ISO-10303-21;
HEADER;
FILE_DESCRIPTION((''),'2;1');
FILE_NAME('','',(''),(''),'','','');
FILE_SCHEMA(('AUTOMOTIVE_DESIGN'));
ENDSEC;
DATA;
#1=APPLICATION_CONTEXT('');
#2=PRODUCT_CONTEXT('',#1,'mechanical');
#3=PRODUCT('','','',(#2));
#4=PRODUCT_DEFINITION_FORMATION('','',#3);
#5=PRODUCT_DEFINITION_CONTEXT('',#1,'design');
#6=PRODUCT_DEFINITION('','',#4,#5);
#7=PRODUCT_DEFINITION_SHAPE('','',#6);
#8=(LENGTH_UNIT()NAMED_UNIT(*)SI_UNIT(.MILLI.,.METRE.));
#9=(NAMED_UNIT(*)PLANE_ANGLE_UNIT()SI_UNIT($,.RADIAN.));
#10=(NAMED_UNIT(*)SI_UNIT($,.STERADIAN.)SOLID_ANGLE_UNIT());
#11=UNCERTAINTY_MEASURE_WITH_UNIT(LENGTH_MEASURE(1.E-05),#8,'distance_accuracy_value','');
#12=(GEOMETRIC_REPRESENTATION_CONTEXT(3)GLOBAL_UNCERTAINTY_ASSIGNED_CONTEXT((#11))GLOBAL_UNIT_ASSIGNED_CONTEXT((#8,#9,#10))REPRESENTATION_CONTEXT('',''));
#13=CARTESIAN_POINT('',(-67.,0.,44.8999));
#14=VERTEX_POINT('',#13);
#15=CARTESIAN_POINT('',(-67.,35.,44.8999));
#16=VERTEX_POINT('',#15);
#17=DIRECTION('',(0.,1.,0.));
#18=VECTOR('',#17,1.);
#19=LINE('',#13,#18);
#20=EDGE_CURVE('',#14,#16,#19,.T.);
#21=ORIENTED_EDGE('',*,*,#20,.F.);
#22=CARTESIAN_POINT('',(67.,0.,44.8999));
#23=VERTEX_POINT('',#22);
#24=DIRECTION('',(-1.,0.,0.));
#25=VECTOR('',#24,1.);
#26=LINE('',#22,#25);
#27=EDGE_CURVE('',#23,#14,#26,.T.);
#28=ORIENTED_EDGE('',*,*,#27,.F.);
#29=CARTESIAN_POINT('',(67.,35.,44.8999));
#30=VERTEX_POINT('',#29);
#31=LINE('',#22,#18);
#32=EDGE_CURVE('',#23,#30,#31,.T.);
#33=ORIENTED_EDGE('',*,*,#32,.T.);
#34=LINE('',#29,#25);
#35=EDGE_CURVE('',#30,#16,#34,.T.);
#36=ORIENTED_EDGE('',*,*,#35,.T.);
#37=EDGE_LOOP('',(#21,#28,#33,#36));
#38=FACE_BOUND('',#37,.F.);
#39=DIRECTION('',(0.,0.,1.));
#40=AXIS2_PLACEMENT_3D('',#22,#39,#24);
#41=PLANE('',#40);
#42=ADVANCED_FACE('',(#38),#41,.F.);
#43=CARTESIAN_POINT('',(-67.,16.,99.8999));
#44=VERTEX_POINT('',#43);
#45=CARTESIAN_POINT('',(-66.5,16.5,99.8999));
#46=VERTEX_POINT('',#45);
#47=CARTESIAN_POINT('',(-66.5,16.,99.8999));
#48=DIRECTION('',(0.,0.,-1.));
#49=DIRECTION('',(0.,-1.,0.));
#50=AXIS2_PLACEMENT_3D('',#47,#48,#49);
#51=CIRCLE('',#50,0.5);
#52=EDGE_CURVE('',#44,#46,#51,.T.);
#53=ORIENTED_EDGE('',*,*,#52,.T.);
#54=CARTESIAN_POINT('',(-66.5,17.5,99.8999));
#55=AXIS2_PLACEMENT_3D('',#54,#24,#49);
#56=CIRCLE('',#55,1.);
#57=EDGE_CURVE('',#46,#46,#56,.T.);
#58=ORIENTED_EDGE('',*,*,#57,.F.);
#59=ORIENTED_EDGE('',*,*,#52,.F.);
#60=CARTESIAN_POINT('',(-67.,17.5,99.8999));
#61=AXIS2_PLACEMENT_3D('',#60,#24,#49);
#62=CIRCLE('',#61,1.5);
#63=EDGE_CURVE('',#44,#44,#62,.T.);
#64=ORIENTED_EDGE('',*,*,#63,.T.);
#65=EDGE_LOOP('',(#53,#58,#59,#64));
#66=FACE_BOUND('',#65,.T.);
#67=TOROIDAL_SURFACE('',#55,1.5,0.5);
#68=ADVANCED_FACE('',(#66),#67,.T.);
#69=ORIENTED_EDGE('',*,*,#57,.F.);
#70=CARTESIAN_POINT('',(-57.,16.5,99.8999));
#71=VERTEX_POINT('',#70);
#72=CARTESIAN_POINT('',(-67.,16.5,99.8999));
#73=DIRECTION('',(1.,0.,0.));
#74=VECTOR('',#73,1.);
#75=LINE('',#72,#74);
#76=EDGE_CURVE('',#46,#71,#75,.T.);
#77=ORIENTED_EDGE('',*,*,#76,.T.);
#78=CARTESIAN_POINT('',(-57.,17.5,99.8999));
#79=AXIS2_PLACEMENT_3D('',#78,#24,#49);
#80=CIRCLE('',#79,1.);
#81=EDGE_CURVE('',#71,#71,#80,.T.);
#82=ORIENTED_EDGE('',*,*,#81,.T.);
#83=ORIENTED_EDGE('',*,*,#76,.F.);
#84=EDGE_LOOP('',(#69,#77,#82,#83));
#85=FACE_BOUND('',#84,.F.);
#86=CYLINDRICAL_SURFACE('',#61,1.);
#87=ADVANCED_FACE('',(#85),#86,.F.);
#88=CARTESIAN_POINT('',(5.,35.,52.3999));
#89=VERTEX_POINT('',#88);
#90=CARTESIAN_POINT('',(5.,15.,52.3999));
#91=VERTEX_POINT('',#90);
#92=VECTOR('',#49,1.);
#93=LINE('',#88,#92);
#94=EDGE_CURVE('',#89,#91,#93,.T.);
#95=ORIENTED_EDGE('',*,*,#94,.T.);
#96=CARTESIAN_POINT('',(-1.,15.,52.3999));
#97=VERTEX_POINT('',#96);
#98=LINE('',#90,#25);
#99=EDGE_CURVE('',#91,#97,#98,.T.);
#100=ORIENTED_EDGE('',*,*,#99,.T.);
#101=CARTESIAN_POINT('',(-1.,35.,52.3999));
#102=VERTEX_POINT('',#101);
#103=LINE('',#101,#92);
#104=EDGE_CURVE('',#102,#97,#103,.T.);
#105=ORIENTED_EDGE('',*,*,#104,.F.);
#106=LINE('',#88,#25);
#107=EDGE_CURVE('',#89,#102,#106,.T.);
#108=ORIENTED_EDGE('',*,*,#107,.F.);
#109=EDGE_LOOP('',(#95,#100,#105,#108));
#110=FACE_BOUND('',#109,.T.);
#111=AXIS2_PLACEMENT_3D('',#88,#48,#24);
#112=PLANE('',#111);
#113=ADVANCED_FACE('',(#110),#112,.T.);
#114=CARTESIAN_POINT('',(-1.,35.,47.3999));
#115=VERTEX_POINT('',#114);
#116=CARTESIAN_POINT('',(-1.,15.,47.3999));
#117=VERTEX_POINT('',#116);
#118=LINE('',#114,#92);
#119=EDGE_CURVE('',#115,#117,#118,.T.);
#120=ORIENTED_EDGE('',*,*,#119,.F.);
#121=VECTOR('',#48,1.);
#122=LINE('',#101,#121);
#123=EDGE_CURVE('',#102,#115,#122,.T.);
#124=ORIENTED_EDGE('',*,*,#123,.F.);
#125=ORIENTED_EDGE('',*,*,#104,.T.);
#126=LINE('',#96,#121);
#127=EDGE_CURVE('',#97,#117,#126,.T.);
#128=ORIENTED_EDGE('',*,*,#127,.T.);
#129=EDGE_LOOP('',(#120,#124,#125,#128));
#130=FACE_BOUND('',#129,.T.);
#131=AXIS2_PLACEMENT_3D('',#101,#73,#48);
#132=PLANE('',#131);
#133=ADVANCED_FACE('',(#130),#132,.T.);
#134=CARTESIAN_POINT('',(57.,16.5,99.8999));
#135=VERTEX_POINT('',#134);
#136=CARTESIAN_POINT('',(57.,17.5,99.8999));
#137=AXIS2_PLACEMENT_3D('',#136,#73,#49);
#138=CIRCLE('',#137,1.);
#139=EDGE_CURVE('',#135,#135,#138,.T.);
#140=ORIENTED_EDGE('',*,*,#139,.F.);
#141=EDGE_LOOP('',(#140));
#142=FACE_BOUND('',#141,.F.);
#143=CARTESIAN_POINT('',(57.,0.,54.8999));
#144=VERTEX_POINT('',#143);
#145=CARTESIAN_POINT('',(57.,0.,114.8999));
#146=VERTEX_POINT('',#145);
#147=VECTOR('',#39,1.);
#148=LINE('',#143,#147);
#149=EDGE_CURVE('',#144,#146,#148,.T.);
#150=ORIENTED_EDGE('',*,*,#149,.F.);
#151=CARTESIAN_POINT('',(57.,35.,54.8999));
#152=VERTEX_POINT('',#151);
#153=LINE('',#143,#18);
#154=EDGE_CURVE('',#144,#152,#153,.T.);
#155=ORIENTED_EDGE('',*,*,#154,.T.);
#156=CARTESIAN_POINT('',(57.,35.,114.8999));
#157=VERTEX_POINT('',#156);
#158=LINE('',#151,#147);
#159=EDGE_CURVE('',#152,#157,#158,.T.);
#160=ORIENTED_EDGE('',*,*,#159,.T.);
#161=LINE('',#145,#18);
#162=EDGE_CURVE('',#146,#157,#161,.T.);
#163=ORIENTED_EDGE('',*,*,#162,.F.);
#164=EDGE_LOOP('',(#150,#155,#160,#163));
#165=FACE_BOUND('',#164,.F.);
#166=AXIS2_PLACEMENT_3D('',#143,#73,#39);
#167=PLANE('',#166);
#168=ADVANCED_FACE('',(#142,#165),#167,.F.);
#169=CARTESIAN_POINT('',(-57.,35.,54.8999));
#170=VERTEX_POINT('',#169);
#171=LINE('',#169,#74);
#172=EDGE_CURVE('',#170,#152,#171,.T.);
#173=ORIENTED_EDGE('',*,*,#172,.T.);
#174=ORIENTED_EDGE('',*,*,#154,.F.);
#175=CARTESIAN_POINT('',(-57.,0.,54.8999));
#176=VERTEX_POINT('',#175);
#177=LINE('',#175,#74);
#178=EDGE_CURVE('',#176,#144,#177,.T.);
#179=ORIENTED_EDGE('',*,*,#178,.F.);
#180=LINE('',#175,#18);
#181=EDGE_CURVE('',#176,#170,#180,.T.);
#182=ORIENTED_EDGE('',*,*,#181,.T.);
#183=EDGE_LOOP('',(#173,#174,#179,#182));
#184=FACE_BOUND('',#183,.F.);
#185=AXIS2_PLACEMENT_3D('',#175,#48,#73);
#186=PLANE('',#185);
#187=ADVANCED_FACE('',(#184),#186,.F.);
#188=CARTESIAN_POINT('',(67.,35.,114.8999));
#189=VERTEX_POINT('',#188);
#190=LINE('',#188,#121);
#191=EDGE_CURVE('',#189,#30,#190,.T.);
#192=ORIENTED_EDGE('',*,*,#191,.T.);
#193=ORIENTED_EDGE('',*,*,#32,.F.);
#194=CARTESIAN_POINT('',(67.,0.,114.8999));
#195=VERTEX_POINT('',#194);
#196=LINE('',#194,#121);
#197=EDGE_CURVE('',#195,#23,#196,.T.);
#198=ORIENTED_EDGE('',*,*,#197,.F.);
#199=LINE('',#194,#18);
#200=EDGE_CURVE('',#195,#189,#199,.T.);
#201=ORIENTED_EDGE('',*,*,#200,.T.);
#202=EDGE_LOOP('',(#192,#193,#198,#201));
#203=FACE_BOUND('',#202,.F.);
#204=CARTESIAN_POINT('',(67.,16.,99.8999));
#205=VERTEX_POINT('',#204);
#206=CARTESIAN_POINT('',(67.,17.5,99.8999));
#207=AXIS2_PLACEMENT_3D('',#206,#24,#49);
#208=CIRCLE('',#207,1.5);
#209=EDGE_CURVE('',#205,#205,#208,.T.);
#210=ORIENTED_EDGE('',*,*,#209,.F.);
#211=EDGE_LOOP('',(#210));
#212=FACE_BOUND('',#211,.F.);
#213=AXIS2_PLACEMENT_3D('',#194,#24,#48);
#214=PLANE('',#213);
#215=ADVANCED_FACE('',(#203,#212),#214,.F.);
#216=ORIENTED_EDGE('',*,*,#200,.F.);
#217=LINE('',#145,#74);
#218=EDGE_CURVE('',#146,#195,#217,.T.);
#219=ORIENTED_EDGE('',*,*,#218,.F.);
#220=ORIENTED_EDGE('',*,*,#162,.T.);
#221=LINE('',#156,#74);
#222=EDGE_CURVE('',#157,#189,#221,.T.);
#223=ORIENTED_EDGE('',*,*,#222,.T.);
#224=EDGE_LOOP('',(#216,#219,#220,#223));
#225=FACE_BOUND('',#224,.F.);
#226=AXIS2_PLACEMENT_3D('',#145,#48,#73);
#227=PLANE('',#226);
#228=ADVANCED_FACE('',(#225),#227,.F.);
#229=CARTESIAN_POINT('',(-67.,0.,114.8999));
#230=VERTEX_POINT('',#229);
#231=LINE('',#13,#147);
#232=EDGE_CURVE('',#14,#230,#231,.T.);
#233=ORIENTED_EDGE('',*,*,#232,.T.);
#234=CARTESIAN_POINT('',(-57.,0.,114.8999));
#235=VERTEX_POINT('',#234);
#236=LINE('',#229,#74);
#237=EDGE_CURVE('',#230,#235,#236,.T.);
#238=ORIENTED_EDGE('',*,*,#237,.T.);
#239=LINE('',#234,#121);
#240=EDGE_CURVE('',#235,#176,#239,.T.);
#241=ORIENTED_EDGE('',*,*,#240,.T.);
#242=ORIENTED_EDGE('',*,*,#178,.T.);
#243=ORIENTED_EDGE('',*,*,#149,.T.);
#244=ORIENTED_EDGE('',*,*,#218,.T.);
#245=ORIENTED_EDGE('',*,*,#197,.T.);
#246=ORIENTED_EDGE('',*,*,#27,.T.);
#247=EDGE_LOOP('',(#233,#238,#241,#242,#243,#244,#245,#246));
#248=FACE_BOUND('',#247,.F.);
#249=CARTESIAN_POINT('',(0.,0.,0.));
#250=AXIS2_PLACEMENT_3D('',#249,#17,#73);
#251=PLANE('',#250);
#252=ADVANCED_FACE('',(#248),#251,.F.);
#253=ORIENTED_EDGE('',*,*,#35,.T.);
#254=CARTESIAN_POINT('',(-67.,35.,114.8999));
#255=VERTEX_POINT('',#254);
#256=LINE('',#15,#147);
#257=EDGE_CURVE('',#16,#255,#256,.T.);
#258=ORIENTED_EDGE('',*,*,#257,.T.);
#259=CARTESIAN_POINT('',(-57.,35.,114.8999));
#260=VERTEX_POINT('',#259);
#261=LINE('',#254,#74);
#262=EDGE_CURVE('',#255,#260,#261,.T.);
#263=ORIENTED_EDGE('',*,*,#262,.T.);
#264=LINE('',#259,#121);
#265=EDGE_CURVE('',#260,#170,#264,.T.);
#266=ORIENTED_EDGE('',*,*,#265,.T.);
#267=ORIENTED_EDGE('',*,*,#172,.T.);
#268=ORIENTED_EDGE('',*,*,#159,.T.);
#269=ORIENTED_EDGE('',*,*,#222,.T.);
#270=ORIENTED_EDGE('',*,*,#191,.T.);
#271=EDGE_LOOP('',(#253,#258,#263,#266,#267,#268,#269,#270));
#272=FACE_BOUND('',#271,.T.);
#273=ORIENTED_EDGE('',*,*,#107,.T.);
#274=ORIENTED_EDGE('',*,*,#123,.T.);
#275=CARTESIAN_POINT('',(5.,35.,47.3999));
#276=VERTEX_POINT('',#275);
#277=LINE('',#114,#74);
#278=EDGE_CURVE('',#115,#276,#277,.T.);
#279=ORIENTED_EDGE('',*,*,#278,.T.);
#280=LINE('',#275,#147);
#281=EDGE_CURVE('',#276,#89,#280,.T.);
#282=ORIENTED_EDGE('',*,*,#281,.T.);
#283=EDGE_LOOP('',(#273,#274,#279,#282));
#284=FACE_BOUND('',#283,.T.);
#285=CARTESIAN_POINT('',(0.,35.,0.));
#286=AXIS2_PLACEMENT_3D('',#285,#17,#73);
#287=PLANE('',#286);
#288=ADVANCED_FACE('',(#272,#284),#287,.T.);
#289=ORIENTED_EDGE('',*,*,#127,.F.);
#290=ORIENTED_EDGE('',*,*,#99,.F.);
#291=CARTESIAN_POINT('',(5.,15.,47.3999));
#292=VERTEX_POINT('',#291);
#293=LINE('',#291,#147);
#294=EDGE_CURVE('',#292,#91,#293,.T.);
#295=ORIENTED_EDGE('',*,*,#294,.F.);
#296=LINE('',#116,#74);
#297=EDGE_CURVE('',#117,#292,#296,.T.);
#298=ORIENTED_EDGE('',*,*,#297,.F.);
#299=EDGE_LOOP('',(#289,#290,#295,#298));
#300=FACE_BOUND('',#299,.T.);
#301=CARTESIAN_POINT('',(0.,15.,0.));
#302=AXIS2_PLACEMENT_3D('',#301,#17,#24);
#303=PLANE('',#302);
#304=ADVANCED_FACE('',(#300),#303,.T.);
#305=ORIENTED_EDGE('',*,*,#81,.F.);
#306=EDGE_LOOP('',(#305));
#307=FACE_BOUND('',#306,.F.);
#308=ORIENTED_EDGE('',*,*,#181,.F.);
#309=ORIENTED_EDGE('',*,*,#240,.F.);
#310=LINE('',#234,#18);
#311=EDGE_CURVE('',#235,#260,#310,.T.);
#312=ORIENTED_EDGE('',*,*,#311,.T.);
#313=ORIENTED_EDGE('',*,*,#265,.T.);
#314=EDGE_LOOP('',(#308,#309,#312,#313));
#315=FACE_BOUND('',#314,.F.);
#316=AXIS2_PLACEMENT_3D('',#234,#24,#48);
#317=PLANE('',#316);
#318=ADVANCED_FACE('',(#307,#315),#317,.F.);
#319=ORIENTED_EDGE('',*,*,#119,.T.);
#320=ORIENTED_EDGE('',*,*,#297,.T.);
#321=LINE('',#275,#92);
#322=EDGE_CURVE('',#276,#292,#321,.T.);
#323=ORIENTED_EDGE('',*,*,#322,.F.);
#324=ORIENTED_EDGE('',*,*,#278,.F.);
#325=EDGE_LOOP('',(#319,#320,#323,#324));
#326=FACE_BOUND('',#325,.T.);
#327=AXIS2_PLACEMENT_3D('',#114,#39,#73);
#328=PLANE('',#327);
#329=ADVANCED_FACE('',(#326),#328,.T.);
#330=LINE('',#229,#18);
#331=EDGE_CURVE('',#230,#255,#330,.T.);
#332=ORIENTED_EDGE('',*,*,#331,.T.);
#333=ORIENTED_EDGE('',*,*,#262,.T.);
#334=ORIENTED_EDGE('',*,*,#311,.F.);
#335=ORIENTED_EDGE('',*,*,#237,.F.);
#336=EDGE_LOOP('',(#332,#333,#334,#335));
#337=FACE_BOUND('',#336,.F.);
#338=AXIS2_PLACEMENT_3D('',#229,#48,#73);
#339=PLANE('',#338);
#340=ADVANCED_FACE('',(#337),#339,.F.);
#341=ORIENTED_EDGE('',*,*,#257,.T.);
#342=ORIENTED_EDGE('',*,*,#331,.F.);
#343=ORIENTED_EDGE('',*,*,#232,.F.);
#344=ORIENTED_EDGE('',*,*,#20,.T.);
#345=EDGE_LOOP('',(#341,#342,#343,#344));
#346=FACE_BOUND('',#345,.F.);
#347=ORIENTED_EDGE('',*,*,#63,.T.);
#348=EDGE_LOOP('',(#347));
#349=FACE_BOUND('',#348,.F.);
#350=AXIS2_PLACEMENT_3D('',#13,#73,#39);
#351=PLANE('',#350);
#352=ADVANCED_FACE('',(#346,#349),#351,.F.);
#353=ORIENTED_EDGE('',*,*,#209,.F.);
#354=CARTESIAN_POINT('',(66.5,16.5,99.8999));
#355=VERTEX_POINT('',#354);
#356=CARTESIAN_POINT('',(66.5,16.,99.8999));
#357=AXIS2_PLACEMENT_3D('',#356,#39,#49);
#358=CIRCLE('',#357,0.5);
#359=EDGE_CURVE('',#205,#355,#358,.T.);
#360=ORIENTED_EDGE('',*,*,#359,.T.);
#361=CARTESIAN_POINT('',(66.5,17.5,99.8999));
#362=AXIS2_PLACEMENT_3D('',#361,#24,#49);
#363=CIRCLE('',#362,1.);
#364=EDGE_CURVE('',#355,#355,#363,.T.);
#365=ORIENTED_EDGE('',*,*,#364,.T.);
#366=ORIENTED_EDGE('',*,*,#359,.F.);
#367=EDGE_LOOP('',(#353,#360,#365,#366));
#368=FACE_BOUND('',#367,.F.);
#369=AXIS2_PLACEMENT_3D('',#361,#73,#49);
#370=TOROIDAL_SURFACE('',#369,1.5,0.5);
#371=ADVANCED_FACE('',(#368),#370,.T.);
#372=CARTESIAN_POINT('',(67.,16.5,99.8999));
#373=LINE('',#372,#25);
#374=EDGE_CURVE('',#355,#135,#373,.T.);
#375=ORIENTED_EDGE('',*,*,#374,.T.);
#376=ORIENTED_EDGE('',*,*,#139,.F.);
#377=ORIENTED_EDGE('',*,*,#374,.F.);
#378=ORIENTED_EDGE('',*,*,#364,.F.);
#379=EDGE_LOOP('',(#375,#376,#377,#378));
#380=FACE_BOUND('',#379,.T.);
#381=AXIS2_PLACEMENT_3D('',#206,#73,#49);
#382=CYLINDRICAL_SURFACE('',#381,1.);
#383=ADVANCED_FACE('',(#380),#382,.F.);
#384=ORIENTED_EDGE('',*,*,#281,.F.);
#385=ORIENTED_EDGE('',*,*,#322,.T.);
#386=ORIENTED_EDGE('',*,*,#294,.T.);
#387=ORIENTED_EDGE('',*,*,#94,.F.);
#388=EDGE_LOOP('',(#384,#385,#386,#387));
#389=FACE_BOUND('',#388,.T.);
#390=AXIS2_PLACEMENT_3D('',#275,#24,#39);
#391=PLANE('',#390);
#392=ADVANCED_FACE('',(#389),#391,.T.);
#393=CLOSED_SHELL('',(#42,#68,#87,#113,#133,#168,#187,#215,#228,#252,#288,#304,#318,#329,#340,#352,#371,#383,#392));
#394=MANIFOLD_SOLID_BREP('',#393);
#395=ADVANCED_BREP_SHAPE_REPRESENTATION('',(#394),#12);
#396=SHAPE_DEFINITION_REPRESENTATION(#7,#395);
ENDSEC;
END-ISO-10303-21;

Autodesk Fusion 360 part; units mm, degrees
sketch "Sketch1" plane through (0, 0, 0) normal (0, 1, 0) x (1, 0, 0)
  line L0 (-67, -114.8999) -> (-57, -114.8999)
  line L1 (-57, -114.8999) -> (-57, -54.8999)
  line L2 (-57, -54.8999) -> (57, -54.8999)
  line L3 (57, -54.8999) -> (57, -114.8999)
  line L4 (57, -114.8999) -> (67, -114.8999)
  line L5 (67, -114.8999) -> (67, -44.8999)
  line L6 (67, -44.8999) -> (-67, -44.8999)
  line L7 (-67, -44.8999) -> (-67, -114.8999)
  dimension "d2" = 67
  dimension "d3" = 10
  dimension "d6" = 70
  dimension "d16" = 10
  dimension "d17" = 10
  dimension "d31" = 67
extrude "Extrude1" add sketch "Sketch1" along normal blind 35
sketch "Sketch3" plane through (-67, 0, 0) normal (-1, 0, 0) x (0, -1, 0)
  line L0 (0, 44.8999) -> (0, 114.8999)
  line L1 (0, 114.8999) -> (-35, 114.8999)
  line L2 (-35, 114.8999) -> (-35, 44.8999)
  line L3 (-35, 44.8999) -> (0, 44.8999)
  circle A0 centre (-17.5, 99.8999) radius 1
  dimension "d12" = 2
  dimension "d15" = 17.5
  dimension "d24" = 15
extrude "Extrude2" cut sketch "Sketch3" against normal blind 101 contours A0
sketch "Sketch4" plane through (0, 35, 0) normal (0, 1, 0) x (-1, 0, 0)
  line L0 (67, 44.8999) -> (67, 114.8999)
  line L1 (67, 114.8999) -> (57, 114.8999)
  line L2 (57, 114.8999) -> (57, 54.8999)
  line L3 (57, 54.8999) -> (-57, 54.8999)
  line L4 (-57, 54.8999) -> (-57, 114.8999)
  line L5 (-57, 114.8999) -> (-67, 114.8999)
  line L6 (-67, 114.8999) -> (-67, 44.8999)
  line L7 (-67, 44.8999) -> (67, 44.8999)
  line L8 (-5, 52.3999) -> (1, 52.3999)
  line L9 (1, 52.3999) -> (1, 47.3999)
  line L10 (1, 47.3999) -> (-5, 47.3999)
  line L11 (-5, 47.3999) -> (-5, 52.3999)
  line L12 (-5, 52.3999) -> (1, 47.3999) construction
  line L13 (1, 52.3999) -> (-5, 47.3999) construction
  point P0 (-2, 49.8999)
  dimension "d18" = 5
  dimension "d19" = 6
  dimension "d20" = 5
  dimension "d21" = 65
extrude "Extrude3" cut sketch "Sketch4" against normal blind 20 contours L8 L9 L10 L11
mirror "Mirror2" about plane through (0, 0, 0) normal (1, 0, 0) of "Extrude2"
fillet "Fillet2" radius 0.5 2 edges at (67, 18.4323, 99.5383) (-67, 18.4323, 100.2615)
